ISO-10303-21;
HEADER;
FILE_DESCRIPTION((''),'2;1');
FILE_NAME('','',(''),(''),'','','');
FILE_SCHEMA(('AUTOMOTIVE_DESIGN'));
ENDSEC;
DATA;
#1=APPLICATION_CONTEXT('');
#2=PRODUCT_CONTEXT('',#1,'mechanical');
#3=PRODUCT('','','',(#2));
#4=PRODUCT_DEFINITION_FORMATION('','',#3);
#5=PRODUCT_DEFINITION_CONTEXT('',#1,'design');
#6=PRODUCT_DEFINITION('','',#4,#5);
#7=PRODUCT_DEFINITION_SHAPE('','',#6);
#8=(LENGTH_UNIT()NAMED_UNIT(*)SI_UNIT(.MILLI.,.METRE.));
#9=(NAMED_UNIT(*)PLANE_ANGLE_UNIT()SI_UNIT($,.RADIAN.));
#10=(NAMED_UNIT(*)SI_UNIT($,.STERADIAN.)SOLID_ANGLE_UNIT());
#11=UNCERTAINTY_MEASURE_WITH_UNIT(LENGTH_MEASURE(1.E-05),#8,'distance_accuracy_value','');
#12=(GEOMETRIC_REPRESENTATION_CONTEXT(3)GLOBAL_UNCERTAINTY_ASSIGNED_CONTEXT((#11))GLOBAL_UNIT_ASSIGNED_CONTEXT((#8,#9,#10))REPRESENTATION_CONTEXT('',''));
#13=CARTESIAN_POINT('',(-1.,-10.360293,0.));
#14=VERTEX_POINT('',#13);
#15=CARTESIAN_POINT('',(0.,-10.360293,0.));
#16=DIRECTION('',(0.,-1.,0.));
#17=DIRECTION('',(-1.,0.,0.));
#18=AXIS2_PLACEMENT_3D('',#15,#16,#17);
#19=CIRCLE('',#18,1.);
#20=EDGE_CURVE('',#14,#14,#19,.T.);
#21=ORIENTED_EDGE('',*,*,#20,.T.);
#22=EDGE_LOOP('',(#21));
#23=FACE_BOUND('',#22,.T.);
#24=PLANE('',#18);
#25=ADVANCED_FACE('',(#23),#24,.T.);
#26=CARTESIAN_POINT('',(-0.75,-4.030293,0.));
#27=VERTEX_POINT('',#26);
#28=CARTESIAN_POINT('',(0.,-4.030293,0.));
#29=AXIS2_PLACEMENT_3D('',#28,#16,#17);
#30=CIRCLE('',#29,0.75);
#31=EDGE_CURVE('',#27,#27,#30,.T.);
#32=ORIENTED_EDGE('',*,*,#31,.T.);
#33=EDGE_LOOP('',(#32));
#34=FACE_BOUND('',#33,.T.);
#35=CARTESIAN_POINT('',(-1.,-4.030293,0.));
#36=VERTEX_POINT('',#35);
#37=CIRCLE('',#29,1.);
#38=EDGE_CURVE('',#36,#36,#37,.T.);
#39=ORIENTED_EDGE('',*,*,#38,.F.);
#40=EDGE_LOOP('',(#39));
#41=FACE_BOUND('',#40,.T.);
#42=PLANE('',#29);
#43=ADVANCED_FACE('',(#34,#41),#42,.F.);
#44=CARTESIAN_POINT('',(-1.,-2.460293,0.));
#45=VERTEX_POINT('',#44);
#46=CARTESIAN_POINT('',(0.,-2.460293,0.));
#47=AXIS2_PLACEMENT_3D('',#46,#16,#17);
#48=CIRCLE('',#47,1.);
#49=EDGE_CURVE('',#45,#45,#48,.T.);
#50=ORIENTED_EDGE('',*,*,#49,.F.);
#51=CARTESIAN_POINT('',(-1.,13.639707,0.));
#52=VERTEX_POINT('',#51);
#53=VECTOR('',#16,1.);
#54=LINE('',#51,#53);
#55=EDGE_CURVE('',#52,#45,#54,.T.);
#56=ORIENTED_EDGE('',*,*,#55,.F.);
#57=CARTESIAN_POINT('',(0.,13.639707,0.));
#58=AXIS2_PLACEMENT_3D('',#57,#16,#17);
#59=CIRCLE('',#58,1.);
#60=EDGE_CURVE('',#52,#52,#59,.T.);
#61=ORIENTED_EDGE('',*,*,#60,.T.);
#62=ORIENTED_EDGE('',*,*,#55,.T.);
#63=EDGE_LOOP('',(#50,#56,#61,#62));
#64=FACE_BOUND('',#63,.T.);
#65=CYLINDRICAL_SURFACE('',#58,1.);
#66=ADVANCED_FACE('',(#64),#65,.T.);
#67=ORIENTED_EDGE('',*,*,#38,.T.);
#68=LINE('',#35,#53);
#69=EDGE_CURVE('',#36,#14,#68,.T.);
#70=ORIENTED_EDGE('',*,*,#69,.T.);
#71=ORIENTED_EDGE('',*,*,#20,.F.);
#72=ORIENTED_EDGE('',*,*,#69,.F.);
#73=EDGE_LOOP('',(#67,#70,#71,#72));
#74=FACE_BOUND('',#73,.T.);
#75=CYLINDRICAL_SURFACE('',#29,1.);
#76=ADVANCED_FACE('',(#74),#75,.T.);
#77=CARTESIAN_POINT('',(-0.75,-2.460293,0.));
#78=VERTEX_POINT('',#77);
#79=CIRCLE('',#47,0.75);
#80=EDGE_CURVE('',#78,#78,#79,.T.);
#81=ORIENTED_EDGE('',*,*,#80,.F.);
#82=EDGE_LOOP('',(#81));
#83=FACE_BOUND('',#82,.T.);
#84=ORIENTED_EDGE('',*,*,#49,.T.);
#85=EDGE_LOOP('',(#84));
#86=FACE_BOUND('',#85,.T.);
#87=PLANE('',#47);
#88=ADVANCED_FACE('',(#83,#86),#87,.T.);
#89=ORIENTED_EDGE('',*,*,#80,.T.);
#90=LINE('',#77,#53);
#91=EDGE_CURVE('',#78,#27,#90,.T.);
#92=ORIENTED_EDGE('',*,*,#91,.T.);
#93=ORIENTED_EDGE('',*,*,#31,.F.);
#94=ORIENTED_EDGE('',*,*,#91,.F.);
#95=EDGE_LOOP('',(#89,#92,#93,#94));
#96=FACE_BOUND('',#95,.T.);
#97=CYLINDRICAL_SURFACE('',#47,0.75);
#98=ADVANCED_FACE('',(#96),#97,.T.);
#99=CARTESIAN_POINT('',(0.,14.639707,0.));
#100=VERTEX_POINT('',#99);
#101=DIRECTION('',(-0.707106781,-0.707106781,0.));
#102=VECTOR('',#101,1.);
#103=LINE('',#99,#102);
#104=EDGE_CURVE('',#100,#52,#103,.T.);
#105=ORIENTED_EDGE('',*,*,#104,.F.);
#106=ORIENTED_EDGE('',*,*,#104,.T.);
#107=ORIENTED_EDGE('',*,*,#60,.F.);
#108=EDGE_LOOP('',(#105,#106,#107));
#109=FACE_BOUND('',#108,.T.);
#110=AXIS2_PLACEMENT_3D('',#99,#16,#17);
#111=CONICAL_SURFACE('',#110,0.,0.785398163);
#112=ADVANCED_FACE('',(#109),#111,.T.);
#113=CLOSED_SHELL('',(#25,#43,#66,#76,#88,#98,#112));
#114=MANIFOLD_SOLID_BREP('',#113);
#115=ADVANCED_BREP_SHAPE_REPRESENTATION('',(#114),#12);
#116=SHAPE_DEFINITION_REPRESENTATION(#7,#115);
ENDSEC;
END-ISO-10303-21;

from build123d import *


with BuildPart() as part:
    # Эскиз1 → Повернуть1 (revolve)
    with BuildSketch(Plane.XY):
        Polygon((0, 14.639707177), (-1, 13.639707177), (-1, -2.460292823), (-0.75, -2.460292823), (-0.75, -4.030292823), (-1, -4.030292823), (-1, -10.360292823), (0, -10.360292823), align=None)
    revolve(axis=Axis((0, 20.732586553, 0), (0, -1, 0)))


solid = part.part
